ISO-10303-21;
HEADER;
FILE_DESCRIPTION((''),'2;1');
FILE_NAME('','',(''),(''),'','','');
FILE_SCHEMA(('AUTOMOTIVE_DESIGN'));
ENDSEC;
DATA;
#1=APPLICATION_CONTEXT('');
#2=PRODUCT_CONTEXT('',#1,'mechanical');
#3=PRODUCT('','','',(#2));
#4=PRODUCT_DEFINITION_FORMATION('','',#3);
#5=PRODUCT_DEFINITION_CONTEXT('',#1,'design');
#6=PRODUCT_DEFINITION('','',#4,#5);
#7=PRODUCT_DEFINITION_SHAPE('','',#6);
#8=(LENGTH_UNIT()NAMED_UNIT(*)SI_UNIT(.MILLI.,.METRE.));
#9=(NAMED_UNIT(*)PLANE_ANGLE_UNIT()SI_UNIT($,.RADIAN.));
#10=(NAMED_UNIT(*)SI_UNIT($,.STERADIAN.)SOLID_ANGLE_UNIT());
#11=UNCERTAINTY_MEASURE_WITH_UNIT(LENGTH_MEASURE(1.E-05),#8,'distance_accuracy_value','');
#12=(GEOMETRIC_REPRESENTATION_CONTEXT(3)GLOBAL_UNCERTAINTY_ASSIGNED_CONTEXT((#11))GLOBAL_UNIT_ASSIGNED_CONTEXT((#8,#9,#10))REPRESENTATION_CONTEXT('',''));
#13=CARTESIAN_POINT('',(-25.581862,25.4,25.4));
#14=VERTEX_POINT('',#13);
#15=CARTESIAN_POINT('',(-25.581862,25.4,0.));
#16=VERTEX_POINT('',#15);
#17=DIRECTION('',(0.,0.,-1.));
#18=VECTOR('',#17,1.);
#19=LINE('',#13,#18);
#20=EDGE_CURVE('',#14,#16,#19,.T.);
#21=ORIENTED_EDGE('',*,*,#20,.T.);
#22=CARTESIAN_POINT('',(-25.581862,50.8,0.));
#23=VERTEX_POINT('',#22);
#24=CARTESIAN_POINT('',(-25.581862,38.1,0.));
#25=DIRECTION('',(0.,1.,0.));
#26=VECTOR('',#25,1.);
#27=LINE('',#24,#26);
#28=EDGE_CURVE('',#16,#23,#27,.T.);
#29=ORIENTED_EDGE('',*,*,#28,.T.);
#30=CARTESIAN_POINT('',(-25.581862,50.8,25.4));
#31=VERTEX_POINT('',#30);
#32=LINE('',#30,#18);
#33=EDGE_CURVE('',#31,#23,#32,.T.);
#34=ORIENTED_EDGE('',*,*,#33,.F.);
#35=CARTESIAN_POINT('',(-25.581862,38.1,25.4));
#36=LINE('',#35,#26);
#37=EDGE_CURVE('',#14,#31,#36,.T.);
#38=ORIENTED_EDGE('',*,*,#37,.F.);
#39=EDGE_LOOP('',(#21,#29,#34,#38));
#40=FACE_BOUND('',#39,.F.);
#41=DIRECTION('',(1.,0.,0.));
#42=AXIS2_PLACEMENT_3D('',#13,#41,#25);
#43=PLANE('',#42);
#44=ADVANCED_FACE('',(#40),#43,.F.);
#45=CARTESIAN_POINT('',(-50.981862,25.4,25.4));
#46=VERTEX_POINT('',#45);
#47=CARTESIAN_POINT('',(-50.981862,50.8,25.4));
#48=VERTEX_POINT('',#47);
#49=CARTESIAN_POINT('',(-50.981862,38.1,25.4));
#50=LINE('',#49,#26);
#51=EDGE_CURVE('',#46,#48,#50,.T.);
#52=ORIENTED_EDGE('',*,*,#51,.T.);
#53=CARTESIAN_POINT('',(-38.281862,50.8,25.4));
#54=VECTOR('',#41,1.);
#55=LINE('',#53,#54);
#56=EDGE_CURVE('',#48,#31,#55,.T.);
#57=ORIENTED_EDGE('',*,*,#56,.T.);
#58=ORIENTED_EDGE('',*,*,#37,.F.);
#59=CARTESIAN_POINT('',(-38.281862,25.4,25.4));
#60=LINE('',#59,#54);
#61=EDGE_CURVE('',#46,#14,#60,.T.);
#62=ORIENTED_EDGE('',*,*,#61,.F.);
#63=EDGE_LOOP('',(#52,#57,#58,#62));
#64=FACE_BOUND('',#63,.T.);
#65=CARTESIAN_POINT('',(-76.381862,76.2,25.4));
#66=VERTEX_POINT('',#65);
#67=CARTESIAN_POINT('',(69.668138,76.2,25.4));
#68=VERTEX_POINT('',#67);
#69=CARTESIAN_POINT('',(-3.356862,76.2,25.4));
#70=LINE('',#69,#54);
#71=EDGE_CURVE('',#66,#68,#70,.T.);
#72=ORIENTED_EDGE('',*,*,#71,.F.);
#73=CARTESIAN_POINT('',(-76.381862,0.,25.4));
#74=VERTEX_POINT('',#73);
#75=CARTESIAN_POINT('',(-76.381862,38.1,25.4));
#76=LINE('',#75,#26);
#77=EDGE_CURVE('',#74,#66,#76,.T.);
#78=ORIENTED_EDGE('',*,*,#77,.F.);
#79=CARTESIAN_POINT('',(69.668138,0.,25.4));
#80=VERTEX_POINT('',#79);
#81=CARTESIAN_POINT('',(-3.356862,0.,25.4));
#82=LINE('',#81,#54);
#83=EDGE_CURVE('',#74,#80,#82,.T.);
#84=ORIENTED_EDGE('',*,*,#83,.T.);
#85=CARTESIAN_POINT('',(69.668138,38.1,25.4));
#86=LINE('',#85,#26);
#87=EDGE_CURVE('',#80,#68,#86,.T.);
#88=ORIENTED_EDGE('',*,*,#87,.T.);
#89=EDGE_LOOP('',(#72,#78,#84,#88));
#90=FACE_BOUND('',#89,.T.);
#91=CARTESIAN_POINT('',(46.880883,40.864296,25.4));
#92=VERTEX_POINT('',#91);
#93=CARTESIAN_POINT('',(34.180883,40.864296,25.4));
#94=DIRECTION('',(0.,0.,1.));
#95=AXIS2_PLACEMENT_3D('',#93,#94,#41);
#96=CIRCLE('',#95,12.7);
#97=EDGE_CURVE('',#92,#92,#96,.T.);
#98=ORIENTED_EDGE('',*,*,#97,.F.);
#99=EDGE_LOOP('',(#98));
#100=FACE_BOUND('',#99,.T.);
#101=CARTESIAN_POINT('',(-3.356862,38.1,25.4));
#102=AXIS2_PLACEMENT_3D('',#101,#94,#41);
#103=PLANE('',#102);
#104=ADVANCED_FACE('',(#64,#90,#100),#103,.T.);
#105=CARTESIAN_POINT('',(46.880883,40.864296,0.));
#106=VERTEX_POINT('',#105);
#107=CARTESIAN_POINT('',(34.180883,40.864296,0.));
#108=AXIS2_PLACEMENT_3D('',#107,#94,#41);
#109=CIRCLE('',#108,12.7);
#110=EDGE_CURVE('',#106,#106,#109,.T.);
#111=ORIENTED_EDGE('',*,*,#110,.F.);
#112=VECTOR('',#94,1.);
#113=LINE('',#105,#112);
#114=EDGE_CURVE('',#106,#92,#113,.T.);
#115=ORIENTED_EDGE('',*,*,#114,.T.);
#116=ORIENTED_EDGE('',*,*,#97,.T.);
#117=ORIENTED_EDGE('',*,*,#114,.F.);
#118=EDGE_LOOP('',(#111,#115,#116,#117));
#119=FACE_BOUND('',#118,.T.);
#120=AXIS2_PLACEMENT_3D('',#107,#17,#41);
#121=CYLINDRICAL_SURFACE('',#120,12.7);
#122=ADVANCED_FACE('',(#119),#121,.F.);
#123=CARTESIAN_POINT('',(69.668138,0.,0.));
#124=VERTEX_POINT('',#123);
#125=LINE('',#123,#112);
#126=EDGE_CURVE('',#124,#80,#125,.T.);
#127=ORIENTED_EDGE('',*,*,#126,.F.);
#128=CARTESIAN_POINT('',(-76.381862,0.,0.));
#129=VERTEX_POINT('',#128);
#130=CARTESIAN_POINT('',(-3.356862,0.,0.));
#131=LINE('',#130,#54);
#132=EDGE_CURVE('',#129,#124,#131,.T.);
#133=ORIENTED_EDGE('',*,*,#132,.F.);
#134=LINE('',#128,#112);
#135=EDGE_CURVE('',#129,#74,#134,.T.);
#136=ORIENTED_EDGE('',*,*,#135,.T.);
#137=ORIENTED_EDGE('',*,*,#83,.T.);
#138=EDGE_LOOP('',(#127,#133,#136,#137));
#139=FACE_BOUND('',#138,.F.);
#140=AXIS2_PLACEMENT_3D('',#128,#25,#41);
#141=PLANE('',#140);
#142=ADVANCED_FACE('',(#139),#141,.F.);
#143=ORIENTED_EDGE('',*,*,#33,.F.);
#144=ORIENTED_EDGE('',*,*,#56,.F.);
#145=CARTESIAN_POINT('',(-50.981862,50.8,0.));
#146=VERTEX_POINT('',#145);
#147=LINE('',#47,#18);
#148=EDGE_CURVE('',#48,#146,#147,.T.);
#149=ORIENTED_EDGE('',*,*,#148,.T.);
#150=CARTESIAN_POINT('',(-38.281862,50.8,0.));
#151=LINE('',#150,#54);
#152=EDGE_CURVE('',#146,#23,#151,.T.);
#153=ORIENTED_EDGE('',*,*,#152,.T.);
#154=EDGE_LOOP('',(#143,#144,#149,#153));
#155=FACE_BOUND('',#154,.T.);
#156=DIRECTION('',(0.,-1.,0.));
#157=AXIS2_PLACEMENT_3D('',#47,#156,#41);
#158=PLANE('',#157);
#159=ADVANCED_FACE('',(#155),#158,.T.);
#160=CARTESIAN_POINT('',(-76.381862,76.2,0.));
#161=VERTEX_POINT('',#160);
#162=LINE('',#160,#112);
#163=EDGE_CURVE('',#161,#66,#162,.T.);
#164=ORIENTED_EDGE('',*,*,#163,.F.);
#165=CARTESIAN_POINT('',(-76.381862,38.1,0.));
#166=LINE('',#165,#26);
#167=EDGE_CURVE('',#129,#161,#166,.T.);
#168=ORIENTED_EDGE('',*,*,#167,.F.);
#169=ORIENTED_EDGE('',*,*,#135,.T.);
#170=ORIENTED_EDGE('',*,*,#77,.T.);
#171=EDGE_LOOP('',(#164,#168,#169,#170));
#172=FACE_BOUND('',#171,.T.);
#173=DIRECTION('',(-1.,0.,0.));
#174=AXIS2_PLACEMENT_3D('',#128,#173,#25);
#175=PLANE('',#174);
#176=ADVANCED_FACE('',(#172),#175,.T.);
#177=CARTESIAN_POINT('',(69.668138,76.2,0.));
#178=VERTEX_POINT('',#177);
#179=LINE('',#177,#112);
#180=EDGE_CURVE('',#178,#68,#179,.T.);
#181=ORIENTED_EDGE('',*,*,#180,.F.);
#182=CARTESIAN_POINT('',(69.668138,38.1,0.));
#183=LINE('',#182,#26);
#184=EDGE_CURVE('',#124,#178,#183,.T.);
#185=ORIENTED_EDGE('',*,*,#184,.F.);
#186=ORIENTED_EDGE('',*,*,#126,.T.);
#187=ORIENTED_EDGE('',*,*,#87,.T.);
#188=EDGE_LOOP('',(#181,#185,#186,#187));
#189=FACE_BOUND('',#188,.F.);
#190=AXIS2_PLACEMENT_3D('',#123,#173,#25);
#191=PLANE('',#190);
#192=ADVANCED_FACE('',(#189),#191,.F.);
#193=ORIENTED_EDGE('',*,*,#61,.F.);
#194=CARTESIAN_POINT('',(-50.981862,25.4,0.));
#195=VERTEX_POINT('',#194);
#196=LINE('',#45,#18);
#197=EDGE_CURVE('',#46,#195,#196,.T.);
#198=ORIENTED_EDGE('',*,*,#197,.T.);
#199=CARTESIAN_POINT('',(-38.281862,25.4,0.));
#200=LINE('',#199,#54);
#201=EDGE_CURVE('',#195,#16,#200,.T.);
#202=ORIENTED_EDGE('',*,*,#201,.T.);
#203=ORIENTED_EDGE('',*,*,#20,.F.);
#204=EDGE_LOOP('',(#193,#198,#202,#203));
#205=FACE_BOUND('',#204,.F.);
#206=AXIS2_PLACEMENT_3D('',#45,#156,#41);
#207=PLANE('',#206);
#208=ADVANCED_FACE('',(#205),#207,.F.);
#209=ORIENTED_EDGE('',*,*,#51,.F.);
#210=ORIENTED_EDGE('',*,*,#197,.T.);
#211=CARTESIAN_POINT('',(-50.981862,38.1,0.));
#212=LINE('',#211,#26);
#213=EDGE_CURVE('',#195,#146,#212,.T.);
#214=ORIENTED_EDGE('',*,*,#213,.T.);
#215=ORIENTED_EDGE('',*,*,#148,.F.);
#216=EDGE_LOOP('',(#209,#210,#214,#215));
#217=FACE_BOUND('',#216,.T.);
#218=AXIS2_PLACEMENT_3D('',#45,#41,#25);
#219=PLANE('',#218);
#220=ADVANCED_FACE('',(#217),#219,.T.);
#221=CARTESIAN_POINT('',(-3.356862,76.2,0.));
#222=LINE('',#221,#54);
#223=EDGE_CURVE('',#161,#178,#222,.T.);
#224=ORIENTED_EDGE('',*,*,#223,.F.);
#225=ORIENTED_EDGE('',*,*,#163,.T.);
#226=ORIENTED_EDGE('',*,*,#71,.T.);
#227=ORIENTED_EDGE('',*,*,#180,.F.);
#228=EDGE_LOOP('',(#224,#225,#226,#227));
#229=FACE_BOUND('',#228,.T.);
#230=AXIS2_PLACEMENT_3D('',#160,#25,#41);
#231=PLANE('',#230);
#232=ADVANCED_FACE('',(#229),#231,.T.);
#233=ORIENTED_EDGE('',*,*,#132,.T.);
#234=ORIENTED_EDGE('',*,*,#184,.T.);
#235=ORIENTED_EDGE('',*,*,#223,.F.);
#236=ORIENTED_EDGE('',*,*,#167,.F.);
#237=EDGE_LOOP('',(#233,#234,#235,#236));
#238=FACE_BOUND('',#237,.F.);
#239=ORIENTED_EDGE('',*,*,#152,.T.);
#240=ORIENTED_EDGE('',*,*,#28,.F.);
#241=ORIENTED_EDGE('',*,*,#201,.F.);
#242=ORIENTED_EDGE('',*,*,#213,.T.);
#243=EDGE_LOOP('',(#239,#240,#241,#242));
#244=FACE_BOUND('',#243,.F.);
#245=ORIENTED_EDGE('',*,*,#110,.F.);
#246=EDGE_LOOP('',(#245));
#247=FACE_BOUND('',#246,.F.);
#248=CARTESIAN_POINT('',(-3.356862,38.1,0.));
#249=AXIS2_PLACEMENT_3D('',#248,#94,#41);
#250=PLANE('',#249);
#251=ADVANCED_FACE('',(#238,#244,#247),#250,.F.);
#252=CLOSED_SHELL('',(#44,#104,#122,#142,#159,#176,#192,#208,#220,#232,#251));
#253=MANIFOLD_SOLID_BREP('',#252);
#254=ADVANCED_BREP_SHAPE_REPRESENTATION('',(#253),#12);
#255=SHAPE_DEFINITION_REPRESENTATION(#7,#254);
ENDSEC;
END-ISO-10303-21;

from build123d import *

# Parameters (mm, degrees)
F1_W     = 146.05
F1_H     = 76.2
F1_R     = 12.7
F2_DEPTH = 25.4
F3_W     = 25.4
F3_H     = 25.4
F4_DEPTH = 25.4


with BuildPart() as f2:
    # F1 (on face) → F2 (new body)
    with BuildSketch(Plane.XY):
        with Locations((-3.356862, 38.1)):
            Rectangle(F1_W, F1_H)
        with Locations((34.180883, 40.864296)):
            Circle(F1_R, mode=Mode.SUBTRACT)
    extrude(amount=F2_DEPTH)

    # F3 (on face) → F4 (cut)
    with BuildSketch(Plane.XY.offset(25.4)):
        with Locations((-38.281862, 38.1)):
            Rectangle(F3_W, F3_H)
    extrude(amount=-F4_DEPTH, mode=Mode.SUBTRACT)


solid = f2.part
